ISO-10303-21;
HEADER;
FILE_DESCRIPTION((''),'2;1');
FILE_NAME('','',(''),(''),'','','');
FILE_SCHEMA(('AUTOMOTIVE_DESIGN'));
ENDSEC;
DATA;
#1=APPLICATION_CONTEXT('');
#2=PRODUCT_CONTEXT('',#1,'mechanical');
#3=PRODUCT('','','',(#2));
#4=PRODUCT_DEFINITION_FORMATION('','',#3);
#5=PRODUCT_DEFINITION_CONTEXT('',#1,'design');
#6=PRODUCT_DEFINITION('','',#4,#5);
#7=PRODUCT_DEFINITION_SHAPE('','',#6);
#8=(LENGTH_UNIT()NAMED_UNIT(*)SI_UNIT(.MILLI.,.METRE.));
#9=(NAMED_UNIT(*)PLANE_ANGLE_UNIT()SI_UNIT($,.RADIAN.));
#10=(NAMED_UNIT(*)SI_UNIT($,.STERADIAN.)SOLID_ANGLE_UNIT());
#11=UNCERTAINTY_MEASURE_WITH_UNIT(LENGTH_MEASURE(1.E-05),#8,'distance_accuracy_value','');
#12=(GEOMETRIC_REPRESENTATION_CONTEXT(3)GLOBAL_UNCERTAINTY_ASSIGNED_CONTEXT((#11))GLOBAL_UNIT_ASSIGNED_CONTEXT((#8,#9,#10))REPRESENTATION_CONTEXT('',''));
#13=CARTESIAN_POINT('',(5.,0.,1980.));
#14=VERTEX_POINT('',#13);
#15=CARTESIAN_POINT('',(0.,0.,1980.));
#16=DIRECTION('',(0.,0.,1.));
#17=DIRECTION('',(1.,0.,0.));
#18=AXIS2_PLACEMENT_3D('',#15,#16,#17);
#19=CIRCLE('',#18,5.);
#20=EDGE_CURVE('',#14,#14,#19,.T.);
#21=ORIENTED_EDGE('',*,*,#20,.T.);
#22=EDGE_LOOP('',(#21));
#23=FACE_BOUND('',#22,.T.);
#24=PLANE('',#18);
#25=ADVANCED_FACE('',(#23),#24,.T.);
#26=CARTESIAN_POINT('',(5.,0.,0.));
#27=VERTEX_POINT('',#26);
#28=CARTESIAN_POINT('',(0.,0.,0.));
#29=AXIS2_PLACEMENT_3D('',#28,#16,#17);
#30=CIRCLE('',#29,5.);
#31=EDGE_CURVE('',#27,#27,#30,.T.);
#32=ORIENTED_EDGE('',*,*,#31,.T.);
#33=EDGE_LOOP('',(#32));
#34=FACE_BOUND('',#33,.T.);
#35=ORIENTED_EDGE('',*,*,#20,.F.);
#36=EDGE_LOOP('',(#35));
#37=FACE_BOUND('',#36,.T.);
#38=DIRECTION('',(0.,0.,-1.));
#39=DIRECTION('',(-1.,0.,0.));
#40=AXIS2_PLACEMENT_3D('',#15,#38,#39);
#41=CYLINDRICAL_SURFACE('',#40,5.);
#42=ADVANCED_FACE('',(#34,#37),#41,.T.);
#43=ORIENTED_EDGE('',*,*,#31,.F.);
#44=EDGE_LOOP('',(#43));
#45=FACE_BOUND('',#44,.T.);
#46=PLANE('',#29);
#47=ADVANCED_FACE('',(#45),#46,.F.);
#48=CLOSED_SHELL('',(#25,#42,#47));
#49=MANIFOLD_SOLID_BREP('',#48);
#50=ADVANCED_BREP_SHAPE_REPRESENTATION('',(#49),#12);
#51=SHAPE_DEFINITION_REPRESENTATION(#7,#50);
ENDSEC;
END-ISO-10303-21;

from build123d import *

# Parameters (mm, degrees)
ESQUISSE1_R        = 5
BOSS_EXTRU_1_DEPTH = 1980


with BuildPart() as part:
    # Esquisse1 → Boss.-Extru.1 (new body)
    with BuildSketch(Plane.XY):
        Circle(ESQUISSE1_R)
    extrude(amount=BOSS_EXTRU_1_DEPTH)


solid = part.part
